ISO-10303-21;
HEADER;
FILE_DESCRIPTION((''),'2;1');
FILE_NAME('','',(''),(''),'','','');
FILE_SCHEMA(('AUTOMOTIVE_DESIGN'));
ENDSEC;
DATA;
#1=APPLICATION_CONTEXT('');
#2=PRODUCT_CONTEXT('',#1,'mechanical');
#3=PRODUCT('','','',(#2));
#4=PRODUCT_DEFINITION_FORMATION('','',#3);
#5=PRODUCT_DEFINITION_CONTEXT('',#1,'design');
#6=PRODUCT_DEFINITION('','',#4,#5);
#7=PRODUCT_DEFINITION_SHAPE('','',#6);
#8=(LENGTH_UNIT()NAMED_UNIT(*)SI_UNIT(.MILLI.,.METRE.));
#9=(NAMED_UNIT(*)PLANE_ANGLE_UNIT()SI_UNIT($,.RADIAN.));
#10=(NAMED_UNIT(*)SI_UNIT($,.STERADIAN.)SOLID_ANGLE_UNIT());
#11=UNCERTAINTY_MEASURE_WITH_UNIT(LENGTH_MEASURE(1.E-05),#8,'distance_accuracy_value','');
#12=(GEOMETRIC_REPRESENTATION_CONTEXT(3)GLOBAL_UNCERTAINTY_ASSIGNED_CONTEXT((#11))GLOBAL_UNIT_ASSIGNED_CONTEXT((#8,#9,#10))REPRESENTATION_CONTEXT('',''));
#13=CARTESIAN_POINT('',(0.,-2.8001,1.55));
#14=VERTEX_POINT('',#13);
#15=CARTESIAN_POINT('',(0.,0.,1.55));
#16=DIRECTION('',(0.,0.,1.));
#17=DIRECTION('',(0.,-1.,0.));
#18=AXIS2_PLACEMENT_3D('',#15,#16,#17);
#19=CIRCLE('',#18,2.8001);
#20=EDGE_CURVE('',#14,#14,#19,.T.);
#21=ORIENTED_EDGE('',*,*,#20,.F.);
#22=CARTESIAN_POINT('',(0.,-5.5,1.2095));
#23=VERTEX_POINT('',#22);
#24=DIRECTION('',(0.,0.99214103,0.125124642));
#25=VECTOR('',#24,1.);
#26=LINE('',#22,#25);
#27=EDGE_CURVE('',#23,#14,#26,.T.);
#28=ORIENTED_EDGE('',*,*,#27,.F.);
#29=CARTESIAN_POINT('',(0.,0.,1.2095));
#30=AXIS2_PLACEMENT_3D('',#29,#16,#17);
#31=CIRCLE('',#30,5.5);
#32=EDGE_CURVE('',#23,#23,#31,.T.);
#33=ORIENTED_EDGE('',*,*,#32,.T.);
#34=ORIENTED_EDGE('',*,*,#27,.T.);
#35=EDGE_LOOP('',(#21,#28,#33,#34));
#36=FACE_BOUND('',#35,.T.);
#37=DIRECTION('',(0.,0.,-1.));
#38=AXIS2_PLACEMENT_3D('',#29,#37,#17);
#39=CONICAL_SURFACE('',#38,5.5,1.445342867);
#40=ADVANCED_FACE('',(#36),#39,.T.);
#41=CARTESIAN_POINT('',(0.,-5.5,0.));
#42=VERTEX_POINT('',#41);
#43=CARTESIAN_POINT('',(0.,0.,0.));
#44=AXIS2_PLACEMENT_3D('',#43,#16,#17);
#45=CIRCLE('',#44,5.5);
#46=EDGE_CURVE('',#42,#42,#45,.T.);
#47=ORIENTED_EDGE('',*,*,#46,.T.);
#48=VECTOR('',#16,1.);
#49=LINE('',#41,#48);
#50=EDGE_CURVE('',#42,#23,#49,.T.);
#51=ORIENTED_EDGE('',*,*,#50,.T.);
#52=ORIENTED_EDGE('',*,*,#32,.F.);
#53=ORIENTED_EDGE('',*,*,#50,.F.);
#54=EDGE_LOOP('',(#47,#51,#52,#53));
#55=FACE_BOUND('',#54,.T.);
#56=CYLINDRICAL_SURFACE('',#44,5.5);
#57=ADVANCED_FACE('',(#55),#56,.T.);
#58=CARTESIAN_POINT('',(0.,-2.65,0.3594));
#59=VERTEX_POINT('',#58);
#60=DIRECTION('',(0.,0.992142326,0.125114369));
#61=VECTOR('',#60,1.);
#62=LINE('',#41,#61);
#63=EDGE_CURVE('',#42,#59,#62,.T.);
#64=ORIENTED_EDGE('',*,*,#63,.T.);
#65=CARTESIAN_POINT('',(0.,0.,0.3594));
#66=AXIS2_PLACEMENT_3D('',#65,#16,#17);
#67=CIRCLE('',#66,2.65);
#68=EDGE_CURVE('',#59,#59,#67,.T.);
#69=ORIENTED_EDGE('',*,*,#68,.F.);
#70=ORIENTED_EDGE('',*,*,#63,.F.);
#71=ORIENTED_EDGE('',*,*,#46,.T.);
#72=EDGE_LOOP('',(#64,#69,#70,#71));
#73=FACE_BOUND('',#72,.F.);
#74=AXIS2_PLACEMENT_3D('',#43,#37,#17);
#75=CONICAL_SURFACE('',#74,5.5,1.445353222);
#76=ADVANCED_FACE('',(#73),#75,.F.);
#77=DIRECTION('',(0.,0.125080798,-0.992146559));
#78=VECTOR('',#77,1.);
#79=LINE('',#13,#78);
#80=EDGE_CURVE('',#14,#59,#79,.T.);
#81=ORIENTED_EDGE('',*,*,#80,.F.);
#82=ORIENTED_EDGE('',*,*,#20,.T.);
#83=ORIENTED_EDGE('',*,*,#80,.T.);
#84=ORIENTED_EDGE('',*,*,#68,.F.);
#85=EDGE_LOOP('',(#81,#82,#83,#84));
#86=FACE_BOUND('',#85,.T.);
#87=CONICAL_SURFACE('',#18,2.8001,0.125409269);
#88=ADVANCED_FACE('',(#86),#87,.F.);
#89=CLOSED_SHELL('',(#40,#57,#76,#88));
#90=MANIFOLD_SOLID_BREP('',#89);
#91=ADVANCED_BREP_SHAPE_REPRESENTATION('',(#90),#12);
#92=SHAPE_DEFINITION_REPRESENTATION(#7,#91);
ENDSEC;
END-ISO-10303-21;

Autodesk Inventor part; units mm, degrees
ref_plane "YZ Plane" through (0, 0, 0) normal (1, 0, 0) x (0, 1, 0)
ref_plane "XZ Plane" through (0, 0, 0) normal (0, 1, 0) x (-1, 0, 0)
sketch "Skizze" plane through (0, 0, 0) normal (1, 0, 0) x (0, 1, 0)
  line L0 (-5.5, 0) -> (-5.5, 1.2095)
  line L1 (-5.5, 1.2095) -> (-2.8001, 1.55)
  line L2 (-2.8001, 1.55) -> (-2.65, 0.3594)
  line L3 (-5.5, 0) -> (-2.65, 0.3594)
  line L4 (0, 0) -> (0, 8.521) construction
  dimension "d8" = 5.5
  dimension "d10" = 2.65
  dimension "d11" = 1.55
  dimension "d12" = 1.2
revolve "IDS_BODY" add sketch "Skizze" angle 360 about axis through (0, 0, 0) along (0, 0, 1)
ref_plane "Work Plane1" through (0, 0, 0) normal (1, 0, 0) x (0, 0, 1)
equation "\"d8\" = 0.5 * SD2"
equation "\"d10\" = 0.5 * SD1"
equation "\"d11\" = SH"
equation "\"d12\" = SD"
equation "\"SD1\" = 5.3"
equation "\"SD2\" = 11"
equation "\"SD\" = 1.2"
equation "\"SH\" = 1.55"
equation "\"NND\" = 5"
properties part number "DIN 6796 - 5" material "Stahl, weich"
